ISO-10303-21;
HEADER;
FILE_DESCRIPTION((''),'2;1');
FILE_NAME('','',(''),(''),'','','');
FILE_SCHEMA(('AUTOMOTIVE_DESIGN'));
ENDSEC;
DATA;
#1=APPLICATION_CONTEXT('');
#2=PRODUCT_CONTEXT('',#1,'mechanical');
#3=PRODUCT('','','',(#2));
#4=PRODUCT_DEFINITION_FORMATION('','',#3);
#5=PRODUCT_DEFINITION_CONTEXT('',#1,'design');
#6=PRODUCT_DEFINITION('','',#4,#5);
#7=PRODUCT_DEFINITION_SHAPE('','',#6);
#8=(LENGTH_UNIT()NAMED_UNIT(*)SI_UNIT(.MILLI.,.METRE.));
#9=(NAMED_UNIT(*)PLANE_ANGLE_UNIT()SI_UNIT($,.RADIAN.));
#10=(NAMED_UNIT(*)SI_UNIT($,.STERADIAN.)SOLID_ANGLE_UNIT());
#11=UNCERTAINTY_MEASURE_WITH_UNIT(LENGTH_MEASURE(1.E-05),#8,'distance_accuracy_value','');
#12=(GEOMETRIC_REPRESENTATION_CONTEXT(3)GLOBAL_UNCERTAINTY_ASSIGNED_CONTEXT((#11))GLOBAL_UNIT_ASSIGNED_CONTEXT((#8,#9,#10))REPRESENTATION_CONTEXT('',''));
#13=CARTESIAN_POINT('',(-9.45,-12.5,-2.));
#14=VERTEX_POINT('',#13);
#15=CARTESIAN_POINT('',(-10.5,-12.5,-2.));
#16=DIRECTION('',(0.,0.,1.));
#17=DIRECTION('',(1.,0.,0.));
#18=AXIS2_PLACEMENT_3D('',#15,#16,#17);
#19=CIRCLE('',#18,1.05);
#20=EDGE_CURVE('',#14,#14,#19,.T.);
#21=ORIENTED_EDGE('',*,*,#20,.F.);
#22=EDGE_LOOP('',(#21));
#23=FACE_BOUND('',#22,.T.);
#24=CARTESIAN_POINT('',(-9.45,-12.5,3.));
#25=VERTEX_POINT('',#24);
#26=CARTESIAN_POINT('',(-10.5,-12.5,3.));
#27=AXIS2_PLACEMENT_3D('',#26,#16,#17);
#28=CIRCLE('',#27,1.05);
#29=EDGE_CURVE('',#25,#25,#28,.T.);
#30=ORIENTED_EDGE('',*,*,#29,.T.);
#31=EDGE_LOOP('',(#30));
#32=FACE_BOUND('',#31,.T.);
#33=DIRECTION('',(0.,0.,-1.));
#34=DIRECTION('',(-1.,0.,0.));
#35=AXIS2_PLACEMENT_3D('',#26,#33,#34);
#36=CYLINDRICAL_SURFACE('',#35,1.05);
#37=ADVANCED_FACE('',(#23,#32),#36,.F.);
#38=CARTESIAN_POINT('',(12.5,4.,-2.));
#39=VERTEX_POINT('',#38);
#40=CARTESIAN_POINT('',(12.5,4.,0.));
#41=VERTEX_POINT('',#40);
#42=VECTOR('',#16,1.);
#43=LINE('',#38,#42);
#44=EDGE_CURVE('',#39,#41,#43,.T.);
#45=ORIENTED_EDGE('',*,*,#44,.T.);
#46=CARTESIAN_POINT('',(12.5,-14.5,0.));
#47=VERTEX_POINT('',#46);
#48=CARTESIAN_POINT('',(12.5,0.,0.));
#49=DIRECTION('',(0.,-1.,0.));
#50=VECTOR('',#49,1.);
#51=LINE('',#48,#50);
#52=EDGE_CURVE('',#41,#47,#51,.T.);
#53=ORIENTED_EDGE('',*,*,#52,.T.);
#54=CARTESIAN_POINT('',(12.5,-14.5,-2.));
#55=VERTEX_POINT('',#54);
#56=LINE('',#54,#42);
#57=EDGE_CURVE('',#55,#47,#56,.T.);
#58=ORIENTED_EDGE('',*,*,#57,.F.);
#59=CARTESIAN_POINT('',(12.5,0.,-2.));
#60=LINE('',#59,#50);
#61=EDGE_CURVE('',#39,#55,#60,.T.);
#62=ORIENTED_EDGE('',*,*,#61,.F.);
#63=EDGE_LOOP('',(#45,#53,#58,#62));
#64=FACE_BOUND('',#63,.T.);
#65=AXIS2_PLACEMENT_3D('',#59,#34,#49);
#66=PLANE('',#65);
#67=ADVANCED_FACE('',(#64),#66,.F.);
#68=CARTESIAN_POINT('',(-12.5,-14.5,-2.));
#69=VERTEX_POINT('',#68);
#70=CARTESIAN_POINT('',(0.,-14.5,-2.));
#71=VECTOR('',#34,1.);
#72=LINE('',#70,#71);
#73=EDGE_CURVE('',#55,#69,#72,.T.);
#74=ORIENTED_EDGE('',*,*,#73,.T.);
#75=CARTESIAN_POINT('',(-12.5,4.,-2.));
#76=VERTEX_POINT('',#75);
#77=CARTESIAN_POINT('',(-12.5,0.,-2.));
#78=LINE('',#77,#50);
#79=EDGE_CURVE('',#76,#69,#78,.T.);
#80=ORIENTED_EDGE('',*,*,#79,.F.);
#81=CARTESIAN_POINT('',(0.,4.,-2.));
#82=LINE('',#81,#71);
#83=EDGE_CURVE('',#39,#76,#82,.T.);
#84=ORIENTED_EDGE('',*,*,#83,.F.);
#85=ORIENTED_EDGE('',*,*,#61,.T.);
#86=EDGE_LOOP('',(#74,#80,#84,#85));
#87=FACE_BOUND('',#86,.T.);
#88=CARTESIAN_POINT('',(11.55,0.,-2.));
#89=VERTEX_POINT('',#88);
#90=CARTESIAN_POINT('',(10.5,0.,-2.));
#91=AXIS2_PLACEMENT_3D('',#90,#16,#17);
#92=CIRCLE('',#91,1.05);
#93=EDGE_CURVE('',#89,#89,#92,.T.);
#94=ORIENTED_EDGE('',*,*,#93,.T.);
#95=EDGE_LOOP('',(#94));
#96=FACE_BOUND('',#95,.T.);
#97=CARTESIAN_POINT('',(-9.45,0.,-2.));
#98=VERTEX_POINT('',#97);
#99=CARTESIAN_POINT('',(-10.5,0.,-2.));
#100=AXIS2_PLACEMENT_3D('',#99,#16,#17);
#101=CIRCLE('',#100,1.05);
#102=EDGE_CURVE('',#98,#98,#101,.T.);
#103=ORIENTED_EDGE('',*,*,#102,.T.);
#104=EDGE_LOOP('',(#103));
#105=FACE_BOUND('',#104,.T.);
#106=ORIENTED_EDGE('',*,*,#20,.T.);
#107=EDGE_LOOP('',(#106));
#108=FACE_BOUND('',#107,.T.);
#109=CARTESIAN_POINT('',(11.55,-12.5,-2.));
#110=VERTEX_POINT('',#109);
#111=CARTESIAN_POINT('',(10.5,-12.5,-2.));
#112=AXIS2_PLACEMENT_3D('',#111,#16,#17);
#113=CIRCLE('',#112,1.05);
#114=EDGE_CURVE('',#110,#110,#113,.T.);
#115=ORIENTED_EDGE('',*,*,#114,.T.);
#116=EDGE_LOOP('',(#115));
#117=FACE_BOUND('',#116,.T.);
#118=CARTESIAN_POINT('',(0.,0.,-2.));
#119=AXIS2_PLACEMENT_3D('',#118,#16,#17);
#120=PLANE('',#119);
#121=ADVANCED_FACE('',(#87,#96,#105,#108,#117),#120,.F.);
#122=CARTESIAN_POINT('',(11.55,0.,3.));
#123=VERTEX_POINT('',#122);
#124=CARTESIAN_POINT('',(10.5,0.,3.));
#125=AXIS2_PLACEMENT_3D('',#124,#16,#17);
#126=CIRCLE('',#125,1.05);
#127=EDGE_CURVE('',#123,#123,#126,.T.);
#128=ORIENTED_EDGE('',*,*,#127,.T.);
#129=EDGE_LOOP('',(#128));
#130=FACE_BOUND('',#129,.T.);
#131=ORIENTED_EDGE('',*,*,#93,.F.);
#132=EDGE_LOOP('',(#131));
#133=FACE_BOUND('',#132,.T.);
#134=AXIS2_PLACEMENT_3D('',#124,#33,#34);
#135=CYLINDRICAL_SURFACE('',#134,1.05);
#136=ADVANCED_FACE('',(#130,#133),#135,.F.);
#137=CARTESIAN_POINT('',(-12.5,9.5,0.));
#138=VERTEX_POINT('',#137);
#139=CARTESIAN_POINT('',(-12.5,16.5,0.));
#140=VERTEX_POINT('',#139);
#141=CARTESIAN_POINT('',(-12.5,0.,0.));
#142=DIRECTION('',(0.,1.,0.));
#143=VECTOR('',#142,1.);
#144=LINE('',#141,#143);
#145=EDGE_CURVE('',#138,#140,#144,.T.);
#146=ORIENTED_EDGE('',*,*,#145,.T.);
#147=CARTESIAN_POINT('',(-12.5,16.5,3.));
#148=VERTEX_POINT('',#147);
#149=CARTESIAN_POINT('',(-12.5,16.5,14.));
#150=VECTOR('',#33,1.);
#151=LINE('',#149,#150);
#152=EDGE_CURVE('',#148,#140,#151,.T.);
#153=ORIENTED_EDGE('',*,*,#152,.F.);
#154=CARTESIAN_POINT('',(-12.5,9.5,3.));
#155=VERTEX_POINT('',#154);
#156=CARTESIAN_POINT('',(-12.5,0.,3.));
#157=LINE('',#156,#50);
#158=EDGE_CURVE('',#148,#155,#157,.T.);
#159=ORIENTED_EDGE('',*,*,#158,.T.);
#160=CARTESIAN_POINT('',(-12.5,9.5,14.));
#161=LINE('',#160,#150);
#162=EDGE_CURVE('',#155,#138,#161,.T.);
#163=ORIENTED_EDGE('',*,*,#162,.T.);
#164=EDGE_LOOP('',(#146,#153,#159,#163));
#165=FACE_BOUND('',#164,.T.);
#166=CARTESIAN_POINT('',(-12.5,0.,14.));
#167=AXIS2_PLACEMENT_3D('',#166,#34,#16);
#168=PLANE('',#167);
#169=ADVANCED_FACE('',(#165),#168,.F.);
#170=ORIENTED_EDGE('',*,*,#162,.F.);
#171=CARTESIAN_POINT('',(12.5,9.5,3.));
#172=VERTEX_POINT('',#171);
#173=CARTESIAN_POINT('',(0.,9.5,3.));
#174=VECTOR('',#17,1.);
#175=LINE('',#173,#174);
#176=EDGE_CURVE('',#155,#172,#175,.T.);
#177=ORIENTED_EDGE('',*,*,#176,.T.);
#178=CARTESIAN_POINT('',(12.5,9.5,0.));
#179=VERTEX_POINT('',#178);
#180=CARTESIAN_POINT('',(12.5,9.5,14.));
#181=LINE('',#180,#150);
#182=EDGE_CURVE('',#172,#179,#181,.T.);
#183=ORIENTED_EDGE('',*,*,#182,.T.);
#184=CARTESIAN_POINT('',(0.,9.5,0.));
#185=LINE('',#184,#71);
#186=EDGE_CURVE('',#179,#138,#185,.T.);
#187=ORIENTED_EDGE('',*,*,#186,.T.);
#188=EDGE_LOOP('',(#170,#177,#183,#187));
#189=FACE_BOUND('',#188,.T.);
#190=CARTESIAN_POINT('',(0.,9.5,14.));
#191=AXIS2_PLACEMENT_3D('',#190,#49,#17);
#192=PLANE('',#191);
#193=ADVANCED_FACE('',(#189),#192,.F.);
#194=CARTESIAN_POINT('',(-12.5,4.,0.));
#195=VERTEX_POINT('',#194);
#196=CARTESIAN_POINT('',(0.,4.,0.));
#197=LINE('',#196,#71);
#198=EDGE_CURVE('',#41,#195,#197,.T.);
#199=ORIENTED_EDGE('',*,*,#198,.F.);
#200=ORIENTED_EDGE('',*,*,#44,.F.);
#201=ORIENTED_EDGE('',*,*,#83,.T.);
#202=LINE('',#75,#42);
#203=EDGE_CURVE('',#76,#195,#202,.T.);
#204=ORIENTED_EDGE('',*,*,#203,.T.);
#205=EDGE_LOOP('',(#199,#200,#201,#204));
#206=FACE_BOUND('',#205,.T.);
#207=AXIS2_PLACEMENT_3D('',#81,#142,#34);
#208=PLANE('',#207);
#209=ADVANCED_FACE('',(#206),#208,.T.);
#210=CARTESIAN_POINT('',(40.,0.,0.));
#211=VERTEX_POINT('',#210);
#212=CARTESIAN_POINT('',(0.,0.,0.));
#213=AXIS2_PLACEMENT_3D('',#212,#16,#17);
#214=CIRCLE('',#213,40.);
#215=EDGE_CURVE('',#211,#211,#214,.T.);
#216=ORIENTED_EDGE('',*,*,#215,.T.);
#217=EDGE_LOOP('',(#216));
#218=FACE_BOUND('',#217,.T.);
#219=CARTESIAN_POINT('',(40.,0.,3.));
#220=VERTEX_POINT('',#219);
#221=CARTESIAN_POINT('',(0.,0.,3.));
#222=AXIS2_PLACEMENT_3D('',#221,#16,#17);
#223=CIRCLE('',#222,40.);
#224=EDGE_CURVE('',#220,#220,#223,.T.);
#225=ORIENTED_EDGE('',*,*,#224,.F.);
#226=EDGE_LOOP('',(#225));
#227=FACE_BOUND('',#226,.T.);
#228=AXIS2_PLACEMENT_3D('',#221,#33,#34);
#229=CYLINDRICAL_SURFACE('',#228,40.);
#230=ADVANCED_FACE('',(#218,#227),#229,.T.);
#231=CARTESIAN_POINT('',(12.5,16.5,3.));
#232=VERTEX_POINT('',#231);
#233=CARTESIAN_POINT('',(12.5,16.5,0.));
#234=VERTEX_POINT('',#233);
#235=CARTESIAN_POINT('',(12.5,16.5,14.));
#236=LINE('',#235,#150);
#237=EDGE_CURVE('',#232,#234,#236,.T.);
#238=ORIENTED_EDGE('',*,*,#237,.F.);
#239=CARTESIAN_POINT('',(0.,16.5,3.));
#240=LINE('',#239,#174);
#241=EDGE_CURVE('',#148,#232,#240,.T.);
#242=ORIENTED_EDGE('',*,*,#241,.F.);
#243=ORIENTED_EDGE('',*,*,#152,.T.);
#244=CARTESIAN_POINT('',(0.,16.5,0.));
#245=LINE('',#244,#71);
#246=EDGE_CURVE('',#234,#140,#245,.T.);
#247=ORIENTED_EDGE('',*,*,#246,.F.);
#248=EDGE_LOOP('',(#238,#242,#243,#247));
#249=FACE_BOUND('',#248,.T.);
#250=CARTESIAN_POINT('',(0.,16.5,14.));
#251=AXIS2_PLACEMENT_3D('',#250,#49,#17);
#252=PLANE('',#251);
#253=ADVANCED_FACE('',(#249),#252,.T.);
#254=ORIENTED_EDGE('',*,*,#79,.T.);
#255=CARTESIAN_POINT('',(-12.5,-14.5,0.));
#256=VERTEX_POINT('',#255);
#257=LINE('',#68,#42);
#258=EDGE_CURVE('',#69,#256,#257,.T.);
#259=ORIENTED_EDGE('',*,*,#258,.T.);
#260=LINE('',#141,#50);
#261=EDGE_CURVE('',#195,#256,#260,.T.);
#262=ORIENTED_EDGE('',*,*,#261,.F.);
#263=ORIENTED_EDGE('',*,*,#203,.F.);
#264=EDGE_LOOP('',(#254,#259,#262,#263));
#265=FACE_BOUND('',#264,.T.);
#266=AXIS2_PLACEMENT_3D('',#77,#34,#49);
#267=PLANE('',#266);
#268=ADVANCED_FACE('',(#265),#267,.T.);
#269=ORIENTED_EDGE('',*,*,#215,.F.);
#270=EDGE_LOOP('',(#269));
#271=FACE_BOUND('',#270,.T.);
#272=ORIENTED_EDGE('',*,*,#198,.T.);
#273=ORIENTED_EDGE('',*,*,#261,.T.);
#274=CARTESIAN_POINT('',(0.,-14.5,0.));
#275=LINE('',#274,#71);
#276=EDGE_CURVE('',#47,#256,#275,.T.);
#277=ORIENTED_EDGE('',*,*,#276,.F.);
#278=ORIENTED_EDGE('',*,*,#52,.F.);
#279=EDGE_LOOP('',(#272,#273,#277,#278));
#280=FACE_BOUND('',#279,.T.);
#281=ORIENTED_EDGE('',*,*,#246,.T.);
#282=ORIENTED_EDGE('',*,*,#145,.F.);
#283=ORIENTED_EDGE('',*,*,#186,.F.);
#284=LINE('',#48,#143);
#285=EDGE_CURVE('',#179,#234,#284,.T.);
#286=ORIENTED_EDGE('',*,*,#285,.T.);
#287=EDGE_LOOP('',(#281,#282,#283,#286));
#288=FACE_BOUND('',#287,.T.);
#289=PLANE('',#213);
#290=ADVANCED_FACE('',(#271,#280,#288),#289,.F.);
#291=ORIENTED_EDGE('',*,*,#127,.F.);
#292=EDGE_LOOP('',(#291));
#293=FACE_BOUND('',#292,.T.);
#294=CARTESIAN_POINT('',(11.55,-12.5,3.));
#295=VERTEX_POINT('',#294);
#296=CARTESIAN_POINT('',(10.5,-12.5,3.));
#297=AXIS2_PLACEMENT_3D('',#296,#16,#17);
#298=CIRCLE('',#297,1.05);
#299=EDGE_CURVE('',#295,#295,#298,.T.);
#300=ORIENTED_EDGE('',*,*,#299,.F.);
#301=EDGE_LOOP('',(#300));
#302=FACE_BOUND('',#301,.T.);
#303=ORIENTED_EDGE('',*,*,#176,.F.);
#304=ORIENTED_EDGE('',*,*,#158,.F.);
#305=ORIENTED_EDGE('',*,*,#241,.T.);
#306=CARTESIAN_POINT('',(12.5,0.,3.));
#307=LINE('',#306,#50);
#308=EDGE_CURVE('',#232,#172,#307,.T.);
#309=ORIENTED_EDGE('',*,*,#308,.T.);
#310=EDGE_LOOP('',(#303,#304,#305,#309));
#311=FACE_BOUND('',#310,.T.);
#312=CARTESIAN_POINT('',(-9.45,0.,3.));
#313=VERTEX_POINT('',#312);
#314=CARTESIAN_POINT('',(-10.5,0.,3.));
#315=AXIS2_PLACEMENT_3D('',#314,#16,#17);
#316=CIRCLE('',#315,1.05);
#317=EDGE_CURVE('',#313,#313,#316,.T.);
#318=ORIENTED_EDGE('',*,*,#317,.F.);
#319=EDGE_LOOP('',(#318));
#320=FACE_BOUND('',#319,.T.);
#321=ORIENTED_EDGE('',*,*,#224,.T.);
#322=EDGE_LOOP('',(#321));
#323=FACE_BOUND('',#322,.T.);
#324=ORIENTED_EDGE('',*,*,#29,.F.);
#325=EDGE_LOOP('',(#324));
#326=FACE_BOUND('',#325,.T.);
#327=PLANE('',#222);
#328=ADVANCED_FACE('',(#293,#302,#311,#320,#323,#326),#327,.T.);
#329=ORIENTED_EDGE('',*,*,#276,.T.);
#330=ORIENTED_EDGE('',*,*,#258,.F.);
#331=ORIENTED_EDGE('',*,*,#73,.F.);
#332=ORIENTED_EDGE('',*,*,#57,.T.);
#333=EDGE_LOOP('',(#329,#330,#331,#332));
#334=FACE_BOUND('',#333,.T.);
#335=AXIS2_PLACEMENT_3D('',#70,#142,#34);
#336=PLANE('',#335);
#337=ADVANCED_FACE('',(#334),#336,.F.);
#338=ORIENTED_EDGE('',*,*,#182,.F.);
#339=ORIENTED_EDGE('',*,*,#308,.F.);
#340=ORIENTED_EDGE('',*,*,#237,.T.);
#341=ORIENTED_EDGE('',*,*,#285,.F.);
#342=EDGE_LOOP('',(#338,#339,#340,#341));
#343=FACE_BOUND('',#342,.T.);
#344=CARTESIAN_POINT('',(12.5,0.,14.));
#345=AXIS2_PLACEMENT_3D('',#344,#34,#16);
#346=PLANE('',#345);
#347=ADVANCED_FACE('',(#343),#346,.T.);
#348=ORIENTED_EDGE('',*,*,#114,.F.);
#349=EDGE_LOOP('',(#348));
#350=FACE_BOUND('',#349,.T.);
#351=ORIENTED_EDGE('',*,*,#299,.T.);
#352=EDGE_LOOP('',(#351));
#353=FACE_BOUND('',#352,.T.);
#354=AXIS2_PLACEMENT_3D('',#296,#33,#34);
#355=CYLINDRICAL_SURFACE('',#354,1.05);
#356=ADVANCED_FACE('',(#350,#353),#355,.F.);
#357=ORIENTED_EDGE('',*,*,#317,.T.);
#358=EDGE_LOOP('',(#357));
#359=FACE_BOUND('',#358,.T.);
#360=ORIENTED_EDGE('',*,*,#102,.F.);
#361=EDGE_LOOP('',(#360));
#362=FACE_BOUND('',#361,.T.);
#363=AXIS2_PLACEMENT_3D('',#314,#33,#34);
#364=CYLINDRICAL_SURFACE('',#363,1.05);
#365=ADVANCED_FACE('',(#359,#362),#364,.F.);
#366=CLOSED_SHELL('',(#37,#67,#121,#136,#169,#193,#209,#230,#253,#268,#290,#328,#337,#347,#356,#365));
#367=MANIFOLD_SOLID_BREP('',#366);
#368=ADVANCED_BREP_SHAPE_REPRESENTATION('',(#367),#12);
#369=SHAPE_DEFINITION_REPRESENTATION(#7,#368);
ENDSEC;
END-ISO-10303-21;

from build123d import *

# Parameters (mm, degrees)
ESQUISSE1_R                  = 40
ESQUISSE1_R_2                = 1.05
BOSS_EXTRU_1_DEPTH           = 3
ESQUISSE2_W                  = 25
ESQUISSE2_H                  = 7
ENL_V_MAT_EXTRU_4_DEPTH      = 14
BOSS_EXTRU_6_DEPTH           = 2
ENL_V_MAT_EXTRU_5_DEPTH      = 2
ESQUISSE2_9_W                = 25
ESQUISSE2_9_H                = 18.5
BOSS_EXTRU_7_DEPTH           = 2
ENL_V_MAT_EXTRU_6_DEPTH      = 57.648036153
ENL_V_MAT_EXTRU_6_DEPTH_BACK = 57.648036153
ESQUISSE7_R                  = 1.05


with BuildPart() as part:
    # Esquisse1 → Boss.-Extru.1 (new body)
    with BuildSketch(Plane.XY):
        Circle(ESQUISSE1_R)
        with Locations((-10.5, -12.5)):
            Circle(ESQUISSE1_R_2, mode=Mode.SUBTRACT)
        with Locations((10.5, -12.5)):
            Circle(ESQUISSE1_R_2, mode=Mode.SUBTRACT)
        with Locations((-10.5, 0)):
            Circle(ESQUISSE1_R_2, mode=Mode.SUBTRACT)
        with Locations((10.5, 0)):
            Circle(ESQUISSE1_R_2, mode=Mode.SUBTRACT)
    extrude(amount=BOSS_EXTRU_1_DEPTH)

    # Esquisse2 → Enlèv. mat.-Extru.4 (cut)
    with BuildSketch(Plane.XY):
        with Locations((0, 13)):
            Rectangle(ESQUISSE2_W, ESQUISSE2_H)
    extrude(amount=ENL_V_MAT_EXTRU_4_DEPTH, mode=Mode.SUBTRACT)

    # Esquisse2<7> → Boss.-Extru.6 (add)
    with BuildSketch(Plane.XY):
        Polygon((12.5, 4), (12.5, 9.5), (-12.5, 9.5), (-12.5, 4), (0, 4), align=None)
    extrude(amount=-BOSS_EXTRU_6_DEPTH)

    # Esquisse2<8> → Enlèv. mat.-Extru.5 (cut)
    with BuildSketch(Plane.XY):
        Polygon((12.5, 4), (12.5, 9.5), (-12.5, 9.5), (-12.5, 4), (0, 4), align=None)
    extrude(amount=-ENL_V_MAT_EXTRU_5_DEPTH, mode=Mode.SUBTRACT)

    # Esquisse2<9> → Boss.-Extru.7 (add)
    with BuildSketch(Plane.XY):
        with Locations((0, -5.25)):
            Rectangle(ESQUISSE2_9_W, ESQUISSE2_9_H)
    extrude(amount=-BOSS_EXTRU_7_DEPTH)

    # Esquisse7 → Enlèv. mat.-Extru.6 (cut, two sides: drawn at the far end of the back side and taken through both)
    with BuildSketch(Plane.XY.offset(-ENL_V_MAT_EXTRU_6_DEPTH_BACK)):
        with Locations((-10.5, 0)):
            Circle(ESQUISSE7_R)
        with Locations((-10.5, -12.5)):
            Circle(ESQUISSE7_R)
        with Locations((10.5, 0)):
            Circle(ESQUISSE7_R)
        with Locations((10.5, -12.5)):
            Circle(ESQUISSE7_R)
    extrude(amount=ENL_V_MAT_EXTRU_6_DEPTH + ENL_V_MAT_EXTRU_6_DEPTH_BACK, mode=Mode.SUBTRACT)


solid = part.part
